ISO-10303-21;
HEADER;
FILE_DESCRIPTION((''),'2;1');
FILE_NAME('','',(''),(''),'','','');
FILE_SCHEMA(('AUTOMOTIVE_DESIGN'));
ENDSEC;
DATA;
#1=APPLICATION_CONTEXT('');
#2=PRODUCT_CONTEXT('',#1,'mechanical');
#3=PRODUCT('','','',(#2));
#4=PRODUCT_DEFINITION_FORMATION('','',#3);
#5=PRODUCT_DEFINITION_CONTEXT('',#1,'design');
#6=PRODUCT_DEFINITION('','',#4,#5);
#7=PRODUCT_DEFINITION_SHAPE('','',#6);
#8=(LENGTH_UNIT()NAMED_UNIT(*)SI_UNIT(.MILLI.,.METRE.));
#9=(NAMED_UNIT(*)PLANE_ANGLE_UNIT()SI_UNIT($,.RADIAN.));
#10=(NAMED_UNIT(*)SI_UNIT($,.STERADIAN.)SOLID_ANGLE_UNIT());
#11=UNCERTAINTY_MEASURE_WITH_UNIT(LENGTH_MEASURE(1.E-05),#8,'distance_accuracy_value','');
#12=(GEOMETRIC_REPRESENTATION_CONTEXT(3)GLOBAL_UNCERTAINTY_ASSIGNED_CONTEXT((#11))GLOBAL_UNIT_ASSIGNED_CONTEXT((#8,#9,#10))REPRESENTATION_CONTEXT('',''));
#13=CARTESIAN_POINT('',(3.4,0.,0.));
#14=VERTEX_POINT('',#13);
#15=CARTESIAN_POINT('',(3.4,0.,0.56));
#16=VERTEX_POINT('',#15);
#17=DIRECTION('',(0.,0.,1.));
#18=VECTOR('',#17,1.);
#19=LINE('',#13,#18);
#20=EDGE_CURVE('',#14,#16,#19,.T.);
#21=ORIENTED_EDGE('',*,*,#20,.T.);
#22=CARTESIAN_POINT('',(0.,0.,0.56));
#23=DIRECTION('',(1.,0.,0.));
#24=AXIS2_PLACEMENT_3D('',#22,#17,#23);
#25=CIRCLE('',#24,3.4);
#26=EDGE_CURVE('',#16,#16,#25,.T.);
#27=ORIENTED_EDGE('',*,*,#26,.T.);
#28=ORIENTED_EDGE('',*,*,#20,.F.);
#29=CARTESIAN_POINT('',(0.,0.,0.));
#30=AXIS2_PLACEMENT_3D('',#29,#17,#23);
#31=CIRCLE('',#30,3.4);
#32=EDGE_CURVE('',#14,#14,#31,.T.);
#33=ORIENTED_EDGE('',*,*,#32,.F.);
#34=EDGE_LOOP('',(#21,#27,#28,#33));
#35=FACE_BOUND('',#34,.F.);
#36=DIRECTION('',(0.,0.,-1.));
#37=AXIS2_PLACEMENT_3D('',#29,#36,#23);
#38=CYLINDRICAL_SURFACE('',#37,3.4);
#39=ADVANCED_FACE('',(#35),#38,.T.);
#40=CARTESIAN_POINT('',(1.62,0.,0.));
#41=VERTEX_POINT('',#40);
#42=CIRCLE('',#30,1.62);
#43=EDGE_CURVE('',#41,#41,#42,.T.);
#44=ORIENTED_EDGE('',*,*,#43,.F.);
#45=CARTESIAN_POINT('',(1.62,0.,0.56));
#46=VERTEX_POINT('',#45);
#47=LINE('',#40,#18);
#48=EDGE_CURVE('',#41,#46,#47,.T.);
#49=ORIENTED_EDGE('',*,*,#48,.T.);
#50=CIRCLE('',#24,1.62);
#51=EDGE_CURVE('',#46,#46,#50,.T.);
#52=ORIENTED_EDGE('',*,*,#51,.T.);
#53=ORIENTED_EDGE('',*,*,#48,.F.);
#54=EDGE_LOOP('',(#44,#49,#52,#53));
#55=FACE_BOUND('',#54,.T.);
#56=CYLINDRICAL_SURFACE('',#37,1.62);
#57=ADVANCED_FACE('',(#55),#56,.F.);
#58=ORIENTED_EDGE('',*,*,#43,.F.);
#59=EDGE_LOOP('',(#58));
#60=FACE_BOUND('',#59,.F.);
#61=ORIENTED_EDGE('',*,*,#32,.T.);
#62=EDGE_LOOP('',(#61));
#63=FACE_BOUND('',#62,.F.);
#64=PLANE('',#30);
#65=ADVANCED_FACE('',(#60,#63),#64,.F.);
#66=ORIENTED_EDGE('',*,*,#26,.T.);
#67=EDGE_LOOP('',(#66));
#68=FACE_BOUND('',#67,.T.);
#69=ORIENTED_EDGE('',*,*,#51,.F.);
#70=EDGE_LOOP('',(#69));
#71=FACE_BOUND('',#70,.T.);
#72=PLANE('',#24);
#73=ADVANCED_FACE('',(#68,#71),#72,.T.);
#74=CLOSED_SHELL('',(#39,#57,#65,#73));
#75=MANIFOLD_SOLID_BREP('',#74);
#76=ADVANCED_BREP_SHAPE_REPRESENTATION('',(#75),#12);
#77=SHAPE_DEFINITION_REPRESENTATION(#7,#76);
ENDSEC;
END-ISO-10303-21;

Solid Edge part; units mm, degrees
sketch "Sketch1" plane through (0, 0, 0) normal (0, 0, 1) x (1, 0, 0)
  circle A0 centre (0, 0) radius 3.4
  circle A1 centre (0, 0) radius 1.62
extrude "Protrusion1" add sketch "Sketch1" along normal blind 0.56
properties material "Stainless steel"
